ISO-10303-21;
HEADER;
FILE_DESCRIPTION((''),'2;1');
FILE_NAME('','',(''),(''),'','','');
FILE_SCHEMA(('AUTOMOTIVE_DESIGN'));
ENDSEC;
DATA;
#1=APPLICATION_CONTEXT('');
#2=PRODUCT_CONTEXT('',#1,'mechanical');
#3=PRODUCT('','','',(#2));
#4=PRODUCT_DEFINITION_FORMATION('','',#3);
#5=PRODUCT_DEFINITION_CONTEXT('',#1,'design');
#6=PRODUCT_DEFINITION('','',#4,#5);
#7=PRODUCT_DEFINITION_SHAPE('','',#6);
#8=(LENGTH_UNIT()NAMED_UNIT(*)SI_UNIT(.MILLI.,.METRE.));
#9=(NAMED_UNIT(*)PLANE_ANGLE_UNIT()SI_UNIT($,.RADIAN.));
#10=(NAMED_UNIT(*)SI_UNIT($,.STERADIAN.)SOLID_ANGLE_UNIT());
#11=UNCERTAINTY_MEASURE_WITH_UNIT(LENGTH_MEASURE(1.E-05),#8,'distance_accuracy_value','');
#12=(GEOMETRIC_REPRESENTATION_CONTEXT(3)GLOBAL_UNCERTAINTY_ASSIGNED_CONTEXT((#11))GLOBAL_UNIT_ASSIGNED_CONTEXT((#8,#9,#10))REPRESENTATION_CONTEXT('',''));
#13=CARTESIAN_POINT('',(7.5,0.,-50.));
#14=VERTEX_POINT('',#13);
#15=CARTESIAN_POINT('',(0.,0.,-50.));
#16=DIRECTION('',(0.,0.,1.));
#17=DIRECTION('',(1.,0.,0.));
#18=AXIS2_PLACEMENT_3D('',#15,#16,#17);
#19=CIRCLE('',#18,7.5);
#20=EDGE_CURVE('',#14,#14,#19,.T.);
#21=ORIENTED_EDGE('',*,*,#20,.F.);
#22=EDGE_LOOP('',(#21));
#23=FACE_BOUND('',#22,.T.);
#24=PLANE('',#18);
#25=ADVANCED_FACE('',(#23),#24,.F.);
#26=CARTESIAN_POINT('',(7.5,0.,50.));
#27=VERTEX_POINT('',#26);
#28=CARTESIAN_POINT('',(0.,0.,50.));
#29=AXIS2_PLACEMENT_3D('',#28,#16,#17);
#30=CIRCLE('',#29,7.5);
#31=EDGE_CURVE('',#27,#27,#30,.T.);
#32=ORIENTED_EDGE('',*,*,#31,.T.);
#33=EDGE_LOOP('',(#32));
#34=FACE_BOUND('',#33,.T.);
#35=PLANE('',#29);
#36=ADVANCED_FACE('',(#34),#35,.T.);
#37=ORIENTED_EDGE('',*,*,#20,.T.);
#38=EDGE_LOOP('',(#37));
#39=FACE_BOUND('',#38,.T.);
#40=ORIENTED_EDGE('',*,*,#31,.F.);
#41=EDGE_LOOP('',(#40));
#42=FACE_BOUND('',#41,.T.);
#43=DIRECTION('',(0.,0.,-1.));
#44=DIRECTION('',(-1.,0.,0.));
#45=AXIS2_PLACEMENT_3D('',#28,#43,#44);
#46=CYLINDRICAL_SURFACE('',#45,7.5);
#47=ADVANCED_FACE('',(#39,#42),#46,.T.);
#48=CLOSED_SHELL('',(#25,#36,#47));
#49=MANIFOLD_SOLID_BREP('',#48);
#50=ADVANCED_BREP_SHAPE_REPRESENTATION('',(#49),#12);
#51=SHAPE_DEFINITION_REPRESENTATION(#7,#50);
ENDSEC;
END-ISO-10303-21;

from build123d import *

# Parameters (mm, degrees)
CROQUIS1_R              = 7.5
SALIENTE_EXTRUIR1_DEPTH = 50


with BuildPart() as part:
    # Croquis1 → Saliente-Extruir1 (new body, symmetric)
    with BuildSketch(Plane.XY):
        Circle(CROQUIS1_R)
    extrude(amount=SALIENTE_EXTRUIR1_DEPTH, both=True)


solid = part.part
